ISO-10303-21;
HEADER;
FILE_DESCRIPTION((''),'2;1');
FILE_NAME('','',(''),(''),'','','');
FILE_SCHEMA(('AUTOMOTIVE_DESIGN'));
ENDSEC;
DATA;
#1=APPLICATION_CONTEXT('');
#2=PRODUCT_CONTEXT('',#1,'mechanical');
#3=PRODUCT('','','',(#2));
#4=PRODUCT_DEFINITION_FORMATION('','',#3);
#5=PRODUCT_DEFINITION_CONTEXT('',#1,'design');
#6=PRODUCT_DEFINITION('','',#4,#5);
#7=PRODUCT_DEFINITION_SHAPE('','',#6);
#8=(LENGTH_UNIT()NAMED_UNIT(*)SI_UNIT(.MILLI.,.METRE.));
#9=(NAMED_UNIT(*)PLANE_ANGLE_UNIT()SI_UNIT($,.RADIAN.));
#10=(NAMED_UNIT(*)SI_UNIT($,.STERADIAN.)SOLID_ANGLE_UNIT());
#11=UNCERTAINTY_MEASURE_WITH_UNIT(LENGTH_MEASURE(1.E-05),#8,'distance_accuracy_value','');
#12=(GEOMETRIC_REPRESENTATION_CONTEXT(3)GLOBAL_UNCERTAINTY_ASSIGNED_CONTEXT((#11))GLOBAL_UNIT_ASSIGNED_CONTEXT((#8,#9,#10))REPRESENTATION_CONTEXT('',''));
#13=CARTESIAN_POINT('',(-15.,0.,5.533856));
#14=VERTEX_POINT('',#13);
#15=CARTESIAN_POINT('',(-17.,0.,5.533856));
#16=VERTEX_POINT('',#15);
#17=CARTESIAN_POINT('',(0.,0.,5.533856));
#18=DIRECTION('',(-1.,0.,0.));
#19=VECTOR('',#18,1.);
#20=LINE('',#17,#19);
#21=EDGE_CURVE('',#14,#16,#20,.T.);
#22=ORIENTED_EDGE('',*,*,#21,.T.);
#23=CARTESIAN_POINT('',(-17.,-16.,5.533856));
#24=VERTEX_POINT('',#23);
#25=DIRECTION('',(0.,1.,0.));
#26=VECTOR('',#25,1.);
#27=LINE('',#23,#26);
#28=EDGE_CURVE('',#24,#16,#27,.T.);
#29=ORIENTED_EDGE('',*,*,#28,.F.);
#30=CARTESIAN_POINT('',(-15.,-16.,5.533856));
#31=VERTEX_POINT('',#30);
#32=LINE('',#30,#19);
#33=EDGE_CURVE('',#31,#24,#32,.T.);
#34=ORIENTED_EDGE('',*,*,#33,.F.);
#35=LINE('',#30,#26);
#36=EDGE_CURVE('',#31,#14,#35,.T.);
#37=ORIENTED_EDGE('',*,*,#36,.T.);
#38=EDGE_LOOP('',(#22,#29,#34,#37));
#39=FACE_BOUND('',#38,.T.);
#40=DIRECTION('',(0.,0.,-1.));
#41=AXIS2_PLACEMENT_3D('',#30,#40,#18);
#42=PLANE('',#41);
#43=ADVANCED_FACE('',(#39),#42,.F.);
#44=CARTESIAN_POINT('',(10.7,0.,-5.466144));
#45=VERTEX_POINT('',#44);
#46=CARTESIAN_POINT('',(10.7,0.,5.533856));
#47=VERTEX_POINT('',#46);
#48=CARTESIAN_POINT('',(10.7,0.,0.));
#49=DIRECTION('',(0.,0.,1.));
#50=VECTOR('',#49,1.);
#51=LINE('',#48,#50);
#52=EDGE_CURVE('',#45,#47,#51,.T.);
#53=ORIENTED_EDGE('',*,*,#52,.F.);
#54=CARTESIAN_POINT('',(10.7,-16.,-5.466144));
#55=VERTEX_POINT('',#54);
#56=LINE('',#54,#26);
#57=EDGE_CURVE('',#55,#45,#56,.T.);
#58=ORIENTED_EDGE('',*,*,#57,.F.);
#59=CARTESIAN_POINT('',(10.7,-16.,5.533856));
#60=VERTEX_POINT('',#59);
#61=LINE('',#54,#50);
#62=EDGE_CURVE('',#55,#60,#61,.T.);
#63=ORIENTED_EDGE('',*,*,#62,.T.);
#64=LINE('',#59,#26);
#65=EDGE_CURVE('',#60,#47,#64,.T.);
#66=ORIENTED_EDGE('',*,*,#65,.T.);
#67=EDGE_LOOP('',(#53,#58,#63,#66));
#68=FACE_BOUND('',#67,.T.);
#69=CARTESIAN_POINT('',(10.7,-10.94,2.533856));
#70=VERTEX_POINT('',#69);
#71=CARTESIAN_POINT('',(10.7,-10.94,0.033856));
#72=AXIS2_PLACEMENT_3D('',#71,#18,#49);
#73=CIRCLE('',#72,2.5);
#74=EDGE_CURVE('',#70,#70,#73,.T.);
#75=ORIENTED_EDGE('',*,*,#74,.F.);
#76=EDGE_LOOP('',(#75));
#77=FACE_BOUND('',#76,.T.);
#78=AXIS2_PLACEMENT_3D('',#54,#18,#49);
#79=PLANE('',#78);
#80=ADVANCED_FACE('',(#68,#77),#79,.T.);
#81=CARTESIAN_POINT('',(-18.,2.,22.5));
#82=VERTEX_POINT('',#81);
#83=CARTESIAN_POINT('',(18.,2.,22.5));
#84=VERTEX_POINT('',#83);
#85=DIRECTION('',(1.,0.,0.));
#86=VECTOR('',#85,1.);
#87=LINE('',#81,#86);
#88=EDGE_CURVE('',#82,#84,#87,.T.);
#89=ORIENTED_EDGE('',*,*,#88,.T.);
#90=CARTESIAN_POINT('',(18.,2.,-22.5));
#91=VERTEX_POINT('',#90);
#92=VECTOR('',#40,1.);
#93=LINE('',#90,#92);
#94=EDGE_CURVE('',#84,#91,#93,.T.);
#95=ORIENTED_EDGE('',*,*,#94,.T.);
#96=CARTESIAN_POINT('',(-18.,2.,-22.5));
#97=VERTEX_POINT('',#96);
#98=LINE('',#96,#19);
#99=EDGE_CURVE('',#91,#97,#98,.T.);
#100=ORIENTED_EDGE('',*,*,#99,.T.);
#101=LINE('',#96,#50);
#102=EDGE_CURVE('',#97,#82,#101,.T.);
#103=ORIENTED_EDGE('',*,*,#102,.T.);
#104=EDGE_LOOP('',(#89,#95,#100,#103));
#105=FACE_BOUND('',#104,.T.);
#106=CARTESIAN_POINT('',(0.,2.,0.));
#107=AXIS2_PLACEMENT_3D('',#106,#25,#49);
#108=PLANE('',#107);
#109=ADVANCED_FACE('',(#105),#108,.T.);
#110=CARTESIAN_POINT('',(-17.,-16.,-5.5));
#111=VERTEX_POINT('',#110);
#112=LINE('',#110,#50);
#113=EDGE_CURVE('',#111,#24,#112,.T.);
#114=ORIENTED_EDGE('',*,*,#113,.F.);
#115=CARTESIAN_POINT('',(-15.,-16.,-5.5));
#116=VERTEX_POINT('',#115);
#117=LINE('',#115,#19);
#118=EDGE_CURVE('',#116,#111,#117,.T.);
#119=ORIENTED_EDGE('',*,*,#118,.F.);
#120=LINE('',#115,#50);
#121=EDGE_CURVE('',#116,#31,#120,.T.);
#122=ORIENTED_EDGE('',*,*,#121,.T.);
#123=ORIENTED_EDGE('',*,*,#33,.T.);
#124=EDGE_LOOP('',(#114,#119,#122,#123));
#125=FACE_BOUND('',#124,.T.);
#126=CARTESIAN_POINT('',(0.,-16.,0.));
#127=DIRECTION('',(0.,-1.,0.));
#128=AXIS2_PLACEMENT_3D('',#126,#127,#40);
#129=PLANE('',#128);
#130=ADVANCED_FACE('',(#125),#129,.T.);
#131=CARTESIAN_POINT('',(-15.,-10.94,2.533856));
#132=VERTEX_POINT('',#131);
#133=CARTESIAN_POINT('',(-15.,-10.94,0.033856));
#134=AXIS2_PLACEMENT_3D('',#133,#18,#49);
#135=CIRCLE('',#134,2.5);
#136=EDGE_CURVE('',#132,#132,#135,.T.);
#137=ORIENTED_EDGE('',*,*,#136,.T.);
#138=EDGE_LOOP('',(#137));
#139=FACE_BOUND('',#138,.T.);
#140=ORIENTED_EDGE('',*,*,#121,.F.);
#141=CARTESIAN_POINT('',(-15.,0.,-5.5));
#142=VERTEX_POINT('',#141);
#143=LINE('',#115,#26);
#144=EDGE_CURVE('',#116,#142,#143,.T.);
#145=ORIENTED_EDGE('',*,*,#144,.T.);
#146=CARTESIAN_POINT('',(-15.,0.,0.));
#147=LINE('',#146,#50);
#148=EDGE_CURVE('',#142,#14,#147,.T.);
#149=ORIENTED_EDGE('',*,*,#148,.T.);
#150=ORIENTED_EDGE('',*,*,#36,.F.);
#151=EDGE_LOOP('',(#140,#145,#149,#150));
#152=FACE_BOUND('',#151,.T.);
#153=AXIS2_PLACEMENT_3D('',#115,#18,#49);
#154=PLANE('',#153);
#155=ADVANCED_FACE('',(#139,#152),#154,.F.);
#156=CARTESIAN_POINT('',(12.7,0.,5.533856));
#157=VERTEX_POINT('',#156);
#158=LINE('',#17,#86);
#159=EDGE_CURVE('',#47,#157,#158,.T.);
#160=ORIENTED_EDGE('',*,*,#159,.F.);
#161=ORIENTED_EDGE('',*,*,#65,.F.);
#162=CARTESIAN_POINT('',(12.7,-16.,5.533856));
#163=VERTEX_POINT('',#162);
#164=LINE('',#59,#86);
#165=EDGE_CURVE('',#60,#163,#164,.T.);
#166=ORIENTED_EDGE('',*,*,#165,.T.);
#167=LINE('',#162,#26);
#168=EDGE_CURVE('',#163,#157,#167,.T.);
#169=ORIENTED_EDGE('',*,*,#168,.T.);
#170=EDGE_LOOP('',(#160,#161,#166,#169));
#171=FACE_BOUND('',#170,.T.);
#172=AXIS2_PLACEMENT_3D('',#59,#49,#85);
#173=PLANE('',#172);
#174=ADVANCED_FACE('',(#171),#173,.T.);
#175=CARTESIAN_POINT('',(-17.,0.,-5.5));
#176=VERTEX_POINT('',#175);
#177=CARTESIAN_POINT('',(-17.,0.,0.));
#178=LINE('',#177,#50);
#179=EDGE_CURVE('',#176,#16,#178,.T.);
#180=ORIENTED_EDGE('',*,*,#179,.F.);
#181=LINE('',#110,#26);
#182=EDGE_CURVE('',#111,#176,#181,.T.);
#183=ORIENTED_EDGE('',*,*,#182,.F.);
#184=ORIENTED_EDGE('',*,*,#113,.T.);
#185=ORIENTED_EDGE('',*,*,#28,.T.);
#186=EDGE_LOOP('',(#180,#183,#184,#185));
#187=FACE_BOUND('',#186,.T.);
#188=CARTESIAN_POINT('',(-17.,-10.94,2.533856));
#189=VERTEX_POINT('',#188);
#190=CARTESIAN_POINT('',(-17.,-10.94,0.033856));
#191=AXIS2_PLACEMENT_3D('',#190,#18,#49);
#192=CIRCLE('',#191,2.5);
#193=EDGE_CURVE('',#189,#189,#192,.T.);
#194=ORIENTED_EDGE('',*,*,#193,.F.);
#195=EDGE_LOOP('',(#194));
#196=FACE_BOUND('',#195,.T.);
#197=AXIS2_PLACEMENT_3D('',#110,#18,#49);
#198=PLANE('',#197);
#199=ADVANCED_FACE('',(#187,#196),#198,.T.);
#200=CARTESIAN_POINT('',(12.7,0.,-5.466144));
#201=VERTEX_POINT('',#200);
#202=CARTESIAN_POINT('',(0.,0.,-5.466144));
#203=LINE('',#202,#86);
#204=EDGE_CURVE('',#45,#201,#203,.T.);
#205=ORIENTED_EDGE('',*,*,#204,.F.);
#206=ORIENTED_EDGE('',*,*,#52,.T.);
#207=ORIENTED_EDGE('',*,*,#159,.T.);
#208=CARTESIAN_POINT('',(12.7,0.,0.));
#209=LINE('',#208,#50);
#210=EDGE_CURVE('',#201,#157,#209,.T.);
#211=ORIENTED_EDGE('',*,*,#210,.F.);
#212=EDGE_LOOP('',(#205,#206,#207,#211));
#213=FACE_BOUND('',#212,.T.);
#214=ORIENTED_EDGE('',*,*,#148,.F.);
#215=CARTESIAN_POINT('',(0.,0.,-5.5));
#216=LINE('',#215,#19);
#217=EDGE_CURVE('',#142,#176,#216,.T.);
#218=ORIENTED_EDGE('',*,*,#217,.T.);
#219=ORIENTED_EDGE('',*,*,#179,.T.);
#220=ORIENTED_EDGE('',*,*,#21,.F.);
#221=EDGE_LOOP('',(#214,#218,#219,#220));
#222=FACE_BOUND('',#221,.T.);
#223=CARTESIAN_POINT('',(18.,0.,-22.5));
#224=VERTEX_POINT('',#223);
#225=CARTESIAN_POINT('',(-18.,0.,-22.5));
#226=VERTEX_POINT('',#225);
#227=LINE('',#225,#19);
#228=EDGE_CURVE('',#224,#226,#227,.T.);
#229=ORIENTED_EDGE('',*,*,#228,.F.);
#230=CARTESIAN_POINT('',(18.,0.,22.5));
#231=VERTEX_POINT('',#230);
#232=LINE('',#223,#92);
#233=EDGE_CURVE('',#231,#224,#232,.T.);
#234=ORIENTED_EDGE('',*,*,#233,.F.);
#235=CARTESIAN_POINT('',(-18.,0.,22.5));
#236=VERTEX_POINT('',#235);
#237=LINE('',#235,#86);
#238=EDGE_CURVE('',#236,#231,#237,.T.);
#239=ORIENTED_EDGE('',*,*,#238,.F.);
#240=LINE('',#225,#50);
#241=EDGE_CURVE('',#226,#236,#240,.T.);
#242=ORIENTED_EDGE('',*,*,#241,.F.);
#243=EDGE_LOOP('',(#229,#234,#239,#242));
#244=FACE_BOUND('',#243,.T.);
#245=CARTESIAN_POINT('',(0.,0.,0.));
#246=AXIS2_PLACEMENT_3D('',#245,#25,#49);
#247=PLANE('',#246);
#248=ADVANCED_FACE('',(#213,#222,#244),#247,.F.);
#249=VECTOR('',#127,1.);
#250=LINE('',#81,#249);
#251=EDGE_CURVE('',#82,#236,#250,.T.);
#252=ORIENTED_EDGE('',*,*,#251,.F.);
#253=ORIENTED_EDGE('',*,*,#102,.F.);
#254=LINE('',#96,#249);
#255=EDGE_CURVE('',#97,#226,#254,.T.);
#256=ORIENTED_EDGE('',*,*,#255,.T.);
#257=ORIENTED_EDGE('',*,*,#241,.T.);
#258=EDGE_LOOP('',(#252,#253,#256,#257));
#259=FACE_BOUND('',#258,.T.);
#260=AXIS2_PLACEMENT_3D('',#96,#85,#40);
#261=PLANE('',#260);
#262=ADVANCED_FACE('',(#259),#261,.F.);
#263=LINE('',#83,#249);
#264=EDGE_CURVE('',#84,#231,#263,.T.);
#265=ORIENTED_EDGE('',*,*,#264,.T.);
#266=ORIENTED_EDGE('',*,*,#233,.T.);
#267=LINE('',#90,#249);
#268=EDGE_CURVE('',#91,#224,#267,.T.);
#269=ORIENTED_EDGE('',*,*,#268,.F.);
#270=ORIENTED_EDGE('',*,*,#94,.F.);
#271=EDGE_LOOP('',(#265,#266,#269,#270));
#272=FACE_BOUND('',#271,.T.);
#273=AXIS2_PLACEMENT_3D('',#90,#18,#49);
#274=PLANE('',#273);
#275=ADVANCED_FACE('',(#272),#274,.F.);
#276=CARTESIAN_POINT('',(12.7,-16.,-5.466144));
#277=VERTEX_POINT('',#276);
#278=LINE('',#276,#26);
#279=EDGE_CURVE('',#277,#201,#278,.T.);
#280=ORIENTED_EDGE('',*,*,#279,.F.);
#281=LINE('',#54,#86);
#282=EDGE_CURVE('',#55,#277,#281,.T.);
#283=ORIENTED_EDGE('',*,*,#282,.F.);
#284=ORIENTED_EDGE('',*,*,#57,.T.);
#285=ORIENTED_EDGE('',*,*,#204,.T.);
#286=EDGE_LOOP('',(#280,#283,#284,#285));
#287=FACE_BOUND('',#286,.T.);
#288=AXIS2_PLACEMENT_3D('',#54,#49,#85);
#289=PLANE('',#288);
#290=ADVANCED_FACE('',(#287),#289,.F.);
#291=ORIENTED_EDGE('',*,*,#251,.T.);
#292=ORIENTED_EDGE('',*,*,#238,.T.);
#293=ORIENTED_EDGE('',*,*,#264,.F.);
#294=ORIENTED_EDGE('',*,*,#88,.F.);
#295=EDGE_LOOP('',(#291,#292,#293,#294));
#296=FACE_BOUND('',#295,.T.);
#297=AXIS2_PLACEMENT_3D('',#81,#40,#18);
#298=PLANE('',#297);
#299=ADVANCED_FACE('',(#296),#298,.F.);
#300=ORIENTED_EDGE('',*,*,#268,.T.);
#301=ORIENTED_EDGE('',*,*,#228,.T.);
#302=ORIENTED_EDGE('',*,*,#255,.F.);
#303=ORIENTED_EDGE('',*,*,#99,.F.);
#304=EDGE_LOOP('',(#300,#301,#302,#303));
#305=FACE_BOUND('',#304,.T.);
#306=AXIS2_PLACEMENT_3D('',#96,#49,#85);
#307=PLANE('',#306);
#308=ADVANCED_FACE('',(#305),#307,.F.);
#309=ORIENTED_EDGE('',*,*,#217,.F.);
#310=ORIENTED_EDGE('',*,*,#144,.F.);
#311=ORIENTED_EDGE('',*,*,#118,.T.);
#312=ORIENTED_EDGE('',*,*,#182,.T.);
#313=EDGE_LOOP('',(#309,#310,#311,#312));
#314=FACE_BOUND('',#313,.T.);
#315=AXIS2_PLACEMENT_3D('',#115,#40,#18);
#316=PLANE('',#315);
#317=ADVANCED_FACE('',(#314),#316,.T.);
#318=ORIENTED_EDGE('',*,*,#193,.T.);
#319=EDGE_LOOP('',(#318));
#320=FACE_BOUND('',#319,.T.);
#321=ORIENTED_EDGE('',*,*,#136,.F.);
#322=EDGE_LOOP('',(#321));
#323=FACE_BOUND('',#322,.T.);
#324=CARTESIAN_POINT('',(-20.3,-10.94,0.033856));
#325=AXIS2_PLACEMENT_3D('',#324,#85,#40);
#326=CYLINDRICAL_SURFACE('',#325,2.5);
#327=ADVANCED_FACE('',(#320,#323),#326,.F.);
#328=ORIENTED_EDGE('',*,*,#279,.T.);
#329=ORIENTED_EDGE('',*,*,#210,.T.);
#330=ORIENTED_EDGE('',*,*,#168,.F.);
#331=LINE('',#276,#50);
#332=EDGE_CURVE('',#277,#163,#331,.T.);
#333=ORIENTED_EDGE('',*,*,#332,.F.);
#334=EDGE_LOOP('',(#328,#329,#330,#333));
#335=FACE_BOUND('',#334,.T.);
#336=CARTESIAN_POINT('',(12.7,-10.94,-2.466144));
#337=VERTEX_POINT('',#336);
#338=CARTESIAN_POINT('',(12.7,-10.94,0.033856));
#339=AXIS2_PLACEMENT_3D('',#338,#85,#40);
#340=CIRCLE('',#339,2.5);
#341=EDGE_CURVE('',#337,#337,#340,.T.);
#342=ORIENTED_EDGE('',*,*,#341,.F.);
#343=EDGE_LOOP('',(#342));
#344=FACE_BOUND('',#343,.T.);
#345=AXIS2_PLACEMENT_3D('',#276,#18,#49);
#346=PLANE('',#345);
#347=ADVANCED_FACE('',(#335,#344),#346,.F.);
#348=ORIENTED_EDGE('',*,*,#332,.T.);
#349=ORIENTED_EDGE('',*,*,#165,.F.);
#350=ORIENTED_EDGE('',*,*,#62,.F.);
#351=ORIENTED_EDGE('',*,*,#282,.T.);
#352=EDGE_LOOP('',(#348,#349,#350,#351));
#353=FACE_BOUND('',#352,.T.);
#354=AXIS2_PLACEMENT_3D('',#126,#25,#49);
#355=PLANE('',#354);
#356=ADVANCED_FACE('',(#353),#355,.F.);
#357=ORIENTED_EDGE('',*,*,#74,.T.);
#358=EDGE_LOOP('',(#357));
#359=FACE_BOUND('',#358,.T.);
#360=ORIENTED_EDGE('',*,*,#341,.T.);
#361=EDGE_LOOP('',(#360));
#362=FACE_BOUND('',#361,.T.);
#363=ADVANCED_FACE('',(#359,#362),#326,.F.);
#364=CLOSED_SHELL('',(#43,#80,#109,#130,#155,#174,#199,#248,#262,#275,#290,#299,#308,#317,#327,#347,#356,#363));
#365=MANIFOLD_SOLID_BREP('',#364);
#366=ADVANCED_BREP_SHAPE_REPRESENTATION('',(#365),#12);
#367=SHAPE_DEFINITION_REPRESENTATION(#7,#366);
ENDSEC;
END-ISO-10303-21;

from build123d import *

# Parameters (mm, degrees)
CROQUIS1_W              = 36
CROQUIS1_H              = 45
SALIENTE_EXTRUIR1_DEPTH = 2
CROQUIS2_W              = 2
CROQUIS2_H              = 11
CROQUIS2_H_2            = 11.033856499
SALIENTE_EXTRUIR2_DEPTH = 18
CROQUIS3_R              = 2.5
CORTAR_EXTRUIR1_DEPTH   = 33


with BuildPart() as part:
    # Croquis1 → Saliente-Extruir1 (new body)
    with BuildSketch(Plane(origin=(0, 0, 0), x_dir=(1, 0, 0), z_dir=(0, 1, 0))):
        Rectangle(CROQUIS1_W, CROQUIS1_H)
    extrude(amount=SALIENTE_EXTRUIR1_DEPTH)

    # Croquis2 → Saliente-Extruir2 (add)
    with BuildSketch(Plane(origin=(0, 2, 0), x_dir=(1, 0, 0), z_dir=(0, 1, 0))):
        with Locations((11.7, -0.033856499)):
            Rectangle(CROQUIS2_W, CROQUIS2_H)
        with Locations((-16, -0.01692825)):
            Rectangle(CROQUIS2_W, CROQUIS2_H_2)
    extrude(amount=-SALIENTE_EXTRUIR2_DEPTH)

    # Croquis3 → Cortar-Extruir1 (cut)
    with BuildSketch(Plane(origin=(12.7, 0, 0), x_dir=(0, 0, -1), z_dir=(1, 0, 0))):
        with Locations((-0.033856499, -10.94)):
            Circle(CROQUIS3_R)
    extrude(amount=-CORTAR_EXTRUIR1_DEPTH, mode=Mode.SUBTRACT)


solid = part.part
